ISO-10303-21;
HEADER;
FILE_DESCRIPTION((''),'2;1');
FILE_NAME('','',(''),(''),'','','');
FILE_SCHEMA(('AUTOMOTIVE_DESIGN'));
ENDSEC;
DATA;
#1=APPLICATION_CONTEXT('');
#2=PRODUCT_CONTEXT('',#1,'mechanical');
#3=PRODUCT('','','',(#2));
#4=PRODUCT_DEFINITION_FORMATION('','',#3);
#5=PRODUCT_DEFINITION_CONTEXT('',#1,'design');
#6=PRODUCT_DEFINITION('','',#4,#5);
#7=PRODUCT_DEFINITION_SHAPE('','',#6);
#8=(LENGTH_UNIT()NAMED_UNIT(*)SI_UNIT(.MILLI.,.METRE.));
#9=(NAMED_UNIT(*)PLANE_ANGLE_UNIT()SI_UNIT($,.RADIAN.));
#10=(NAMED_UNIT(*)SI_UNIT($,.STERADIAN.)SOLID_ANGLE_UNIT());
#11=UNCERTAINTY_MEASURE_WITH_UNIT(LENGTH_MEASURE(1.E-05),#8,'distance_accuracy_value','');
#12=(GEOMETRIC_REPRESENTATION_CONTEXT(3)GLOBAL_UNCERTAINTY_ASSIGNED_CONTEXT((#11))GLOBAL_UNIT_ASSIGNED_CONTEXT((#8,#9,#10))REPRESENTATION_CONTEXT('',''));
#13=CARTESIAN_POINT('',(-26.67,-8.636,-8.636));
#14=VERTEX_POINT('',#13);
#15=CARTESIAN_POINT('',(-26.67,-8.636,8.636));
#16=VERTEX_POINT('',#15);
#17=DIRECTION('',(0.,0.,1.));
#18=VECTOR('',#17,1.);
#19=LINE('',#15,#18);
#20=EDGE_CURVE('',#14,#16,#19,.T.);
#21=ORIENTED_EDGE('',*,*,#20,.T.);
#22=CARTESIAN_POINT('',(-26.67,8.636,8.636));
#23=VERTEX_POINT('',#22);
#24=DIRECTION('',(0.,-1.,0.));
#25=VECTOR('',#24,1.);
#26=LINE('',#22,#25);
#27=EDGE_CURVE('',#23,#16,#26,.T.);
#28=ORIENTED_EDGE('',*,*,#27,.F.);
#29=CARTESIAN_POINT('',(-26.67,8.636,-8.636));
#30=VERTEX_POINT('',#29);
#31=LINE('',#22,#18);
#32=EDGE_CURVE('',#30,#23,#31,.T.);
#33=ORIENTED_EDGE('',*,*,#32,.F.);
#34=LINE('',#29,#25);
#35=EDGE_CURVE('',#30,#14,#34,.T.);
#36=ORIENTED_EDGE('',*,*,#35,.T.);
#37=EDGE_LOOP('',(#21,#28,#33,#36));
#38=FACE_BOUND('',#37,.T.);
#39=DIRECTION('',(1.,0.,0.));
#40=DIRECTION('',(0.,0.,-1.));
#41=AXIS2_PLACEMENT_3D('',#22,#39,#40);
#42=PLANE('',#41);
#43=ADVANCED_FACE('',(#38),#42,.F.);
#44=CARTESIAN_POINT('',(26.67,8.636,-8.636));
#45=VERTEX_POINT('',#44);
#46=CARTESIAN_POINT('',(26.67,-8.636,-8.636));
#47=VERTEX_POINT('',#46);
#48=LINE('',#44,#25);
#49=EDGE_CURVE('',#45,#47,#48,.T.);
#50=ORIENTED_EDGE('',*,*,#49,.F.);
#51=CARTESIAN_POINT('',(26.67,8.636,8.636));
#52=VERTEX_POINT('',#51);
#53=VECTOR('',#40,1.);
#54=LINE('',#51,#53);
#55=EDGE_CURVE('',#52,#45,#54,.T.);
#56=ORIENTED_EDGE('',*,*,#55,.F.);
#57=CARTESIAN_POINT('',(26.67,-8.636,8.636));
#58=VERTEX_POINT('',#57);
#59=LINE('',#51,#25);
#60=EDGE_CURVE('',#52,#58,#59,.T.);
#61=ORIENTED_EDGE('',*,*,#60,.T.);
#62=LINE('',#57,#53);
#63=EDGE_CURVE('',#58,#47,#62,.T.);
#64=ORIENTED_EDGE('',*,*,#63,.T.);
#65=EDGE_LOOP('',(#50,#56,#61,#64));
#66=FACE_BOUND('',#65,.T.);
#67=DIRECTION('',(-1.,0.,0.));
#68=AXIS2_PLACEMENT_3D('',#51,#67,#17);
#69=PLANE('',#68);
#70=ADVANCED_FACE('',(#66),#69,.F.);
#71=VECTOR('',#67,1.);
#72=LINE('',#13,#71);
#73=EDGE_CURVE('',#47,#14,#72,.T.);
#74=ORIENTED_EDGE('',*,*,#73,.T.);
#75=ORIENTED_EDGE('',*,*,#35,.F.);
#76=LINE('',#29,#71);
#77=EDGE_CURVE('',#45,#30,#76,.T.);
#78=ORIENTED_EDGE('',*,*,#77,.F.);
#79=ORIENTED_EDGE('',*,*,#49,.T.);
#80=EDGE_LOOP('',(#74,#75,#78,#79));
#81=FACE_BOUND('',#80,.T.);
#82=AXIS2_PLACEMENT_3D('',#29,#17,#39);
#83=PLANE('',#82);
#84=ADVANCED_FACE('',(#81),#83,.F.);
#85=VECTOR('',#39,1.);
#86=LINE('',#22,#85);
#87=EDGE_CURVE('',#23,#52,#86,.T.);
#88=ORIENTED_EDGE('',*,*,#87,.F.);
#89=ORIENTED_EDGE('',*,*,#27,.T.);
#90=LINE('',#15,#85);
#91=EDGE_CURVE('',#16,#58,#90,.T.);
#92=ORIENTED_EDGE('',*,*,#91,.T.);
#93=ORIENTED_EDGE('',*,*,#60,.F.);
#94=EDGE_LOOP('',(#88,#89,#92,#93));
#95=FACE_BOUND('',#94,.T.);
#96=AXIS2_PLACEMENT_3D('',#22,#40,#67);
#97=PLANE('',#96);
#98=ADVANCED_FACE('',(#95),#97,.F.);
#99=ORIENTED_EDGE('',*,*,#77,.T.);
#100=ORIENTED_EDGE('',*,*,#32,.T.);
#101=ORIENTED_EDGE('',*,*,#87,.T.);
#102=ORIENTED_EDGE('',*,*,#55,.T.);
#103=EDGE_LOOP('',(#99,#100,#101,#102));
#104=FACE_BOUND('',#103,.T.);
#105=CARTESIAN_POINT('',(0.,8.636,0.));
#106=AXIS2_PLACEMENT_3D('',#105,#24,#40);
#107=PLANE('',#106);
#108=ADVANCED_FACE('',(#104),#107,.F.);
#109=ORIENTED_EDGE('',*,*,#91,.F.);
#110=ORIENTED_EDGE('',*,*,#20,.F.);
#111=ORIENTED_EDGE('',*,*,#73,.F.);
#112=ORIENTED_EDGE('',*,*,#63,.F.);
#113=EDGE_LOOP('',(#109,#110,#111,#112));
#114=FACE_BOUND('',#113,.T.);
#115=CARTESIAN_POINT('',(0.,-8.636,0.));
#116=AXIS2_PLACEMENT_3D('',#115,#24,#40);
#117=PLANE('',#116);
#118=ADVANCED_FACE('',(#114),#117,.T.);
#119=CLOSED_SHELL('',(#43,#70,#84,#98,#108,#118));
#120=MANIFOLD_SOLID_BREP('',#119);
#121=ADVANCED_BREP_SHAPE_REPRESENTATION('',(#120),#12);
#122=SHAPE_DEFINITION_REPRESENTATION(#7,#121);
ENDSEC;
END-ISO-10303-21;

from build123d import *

# Parameters (mm, degrees)
SKETCH1_W           = 53.34
SKETCH1_H           = 17.272
BOSS_EXTRUDE1_DEPTH = 8.636


with BuildPart() as part:
    # Sketch1 → Boss-Extrude1 (new body, symmetric)
    with BuildSketch(Plane(origin=(0, 0, 0), x_dir=(1, 0, 0), z_dir=(0, 1, 0))):
        Rectangle(SKETCH1_W, SKETCH1_H)
    extrude(amount=BOSS_EXTRUDE1_DEPTH, both=True)


solid = part.part
